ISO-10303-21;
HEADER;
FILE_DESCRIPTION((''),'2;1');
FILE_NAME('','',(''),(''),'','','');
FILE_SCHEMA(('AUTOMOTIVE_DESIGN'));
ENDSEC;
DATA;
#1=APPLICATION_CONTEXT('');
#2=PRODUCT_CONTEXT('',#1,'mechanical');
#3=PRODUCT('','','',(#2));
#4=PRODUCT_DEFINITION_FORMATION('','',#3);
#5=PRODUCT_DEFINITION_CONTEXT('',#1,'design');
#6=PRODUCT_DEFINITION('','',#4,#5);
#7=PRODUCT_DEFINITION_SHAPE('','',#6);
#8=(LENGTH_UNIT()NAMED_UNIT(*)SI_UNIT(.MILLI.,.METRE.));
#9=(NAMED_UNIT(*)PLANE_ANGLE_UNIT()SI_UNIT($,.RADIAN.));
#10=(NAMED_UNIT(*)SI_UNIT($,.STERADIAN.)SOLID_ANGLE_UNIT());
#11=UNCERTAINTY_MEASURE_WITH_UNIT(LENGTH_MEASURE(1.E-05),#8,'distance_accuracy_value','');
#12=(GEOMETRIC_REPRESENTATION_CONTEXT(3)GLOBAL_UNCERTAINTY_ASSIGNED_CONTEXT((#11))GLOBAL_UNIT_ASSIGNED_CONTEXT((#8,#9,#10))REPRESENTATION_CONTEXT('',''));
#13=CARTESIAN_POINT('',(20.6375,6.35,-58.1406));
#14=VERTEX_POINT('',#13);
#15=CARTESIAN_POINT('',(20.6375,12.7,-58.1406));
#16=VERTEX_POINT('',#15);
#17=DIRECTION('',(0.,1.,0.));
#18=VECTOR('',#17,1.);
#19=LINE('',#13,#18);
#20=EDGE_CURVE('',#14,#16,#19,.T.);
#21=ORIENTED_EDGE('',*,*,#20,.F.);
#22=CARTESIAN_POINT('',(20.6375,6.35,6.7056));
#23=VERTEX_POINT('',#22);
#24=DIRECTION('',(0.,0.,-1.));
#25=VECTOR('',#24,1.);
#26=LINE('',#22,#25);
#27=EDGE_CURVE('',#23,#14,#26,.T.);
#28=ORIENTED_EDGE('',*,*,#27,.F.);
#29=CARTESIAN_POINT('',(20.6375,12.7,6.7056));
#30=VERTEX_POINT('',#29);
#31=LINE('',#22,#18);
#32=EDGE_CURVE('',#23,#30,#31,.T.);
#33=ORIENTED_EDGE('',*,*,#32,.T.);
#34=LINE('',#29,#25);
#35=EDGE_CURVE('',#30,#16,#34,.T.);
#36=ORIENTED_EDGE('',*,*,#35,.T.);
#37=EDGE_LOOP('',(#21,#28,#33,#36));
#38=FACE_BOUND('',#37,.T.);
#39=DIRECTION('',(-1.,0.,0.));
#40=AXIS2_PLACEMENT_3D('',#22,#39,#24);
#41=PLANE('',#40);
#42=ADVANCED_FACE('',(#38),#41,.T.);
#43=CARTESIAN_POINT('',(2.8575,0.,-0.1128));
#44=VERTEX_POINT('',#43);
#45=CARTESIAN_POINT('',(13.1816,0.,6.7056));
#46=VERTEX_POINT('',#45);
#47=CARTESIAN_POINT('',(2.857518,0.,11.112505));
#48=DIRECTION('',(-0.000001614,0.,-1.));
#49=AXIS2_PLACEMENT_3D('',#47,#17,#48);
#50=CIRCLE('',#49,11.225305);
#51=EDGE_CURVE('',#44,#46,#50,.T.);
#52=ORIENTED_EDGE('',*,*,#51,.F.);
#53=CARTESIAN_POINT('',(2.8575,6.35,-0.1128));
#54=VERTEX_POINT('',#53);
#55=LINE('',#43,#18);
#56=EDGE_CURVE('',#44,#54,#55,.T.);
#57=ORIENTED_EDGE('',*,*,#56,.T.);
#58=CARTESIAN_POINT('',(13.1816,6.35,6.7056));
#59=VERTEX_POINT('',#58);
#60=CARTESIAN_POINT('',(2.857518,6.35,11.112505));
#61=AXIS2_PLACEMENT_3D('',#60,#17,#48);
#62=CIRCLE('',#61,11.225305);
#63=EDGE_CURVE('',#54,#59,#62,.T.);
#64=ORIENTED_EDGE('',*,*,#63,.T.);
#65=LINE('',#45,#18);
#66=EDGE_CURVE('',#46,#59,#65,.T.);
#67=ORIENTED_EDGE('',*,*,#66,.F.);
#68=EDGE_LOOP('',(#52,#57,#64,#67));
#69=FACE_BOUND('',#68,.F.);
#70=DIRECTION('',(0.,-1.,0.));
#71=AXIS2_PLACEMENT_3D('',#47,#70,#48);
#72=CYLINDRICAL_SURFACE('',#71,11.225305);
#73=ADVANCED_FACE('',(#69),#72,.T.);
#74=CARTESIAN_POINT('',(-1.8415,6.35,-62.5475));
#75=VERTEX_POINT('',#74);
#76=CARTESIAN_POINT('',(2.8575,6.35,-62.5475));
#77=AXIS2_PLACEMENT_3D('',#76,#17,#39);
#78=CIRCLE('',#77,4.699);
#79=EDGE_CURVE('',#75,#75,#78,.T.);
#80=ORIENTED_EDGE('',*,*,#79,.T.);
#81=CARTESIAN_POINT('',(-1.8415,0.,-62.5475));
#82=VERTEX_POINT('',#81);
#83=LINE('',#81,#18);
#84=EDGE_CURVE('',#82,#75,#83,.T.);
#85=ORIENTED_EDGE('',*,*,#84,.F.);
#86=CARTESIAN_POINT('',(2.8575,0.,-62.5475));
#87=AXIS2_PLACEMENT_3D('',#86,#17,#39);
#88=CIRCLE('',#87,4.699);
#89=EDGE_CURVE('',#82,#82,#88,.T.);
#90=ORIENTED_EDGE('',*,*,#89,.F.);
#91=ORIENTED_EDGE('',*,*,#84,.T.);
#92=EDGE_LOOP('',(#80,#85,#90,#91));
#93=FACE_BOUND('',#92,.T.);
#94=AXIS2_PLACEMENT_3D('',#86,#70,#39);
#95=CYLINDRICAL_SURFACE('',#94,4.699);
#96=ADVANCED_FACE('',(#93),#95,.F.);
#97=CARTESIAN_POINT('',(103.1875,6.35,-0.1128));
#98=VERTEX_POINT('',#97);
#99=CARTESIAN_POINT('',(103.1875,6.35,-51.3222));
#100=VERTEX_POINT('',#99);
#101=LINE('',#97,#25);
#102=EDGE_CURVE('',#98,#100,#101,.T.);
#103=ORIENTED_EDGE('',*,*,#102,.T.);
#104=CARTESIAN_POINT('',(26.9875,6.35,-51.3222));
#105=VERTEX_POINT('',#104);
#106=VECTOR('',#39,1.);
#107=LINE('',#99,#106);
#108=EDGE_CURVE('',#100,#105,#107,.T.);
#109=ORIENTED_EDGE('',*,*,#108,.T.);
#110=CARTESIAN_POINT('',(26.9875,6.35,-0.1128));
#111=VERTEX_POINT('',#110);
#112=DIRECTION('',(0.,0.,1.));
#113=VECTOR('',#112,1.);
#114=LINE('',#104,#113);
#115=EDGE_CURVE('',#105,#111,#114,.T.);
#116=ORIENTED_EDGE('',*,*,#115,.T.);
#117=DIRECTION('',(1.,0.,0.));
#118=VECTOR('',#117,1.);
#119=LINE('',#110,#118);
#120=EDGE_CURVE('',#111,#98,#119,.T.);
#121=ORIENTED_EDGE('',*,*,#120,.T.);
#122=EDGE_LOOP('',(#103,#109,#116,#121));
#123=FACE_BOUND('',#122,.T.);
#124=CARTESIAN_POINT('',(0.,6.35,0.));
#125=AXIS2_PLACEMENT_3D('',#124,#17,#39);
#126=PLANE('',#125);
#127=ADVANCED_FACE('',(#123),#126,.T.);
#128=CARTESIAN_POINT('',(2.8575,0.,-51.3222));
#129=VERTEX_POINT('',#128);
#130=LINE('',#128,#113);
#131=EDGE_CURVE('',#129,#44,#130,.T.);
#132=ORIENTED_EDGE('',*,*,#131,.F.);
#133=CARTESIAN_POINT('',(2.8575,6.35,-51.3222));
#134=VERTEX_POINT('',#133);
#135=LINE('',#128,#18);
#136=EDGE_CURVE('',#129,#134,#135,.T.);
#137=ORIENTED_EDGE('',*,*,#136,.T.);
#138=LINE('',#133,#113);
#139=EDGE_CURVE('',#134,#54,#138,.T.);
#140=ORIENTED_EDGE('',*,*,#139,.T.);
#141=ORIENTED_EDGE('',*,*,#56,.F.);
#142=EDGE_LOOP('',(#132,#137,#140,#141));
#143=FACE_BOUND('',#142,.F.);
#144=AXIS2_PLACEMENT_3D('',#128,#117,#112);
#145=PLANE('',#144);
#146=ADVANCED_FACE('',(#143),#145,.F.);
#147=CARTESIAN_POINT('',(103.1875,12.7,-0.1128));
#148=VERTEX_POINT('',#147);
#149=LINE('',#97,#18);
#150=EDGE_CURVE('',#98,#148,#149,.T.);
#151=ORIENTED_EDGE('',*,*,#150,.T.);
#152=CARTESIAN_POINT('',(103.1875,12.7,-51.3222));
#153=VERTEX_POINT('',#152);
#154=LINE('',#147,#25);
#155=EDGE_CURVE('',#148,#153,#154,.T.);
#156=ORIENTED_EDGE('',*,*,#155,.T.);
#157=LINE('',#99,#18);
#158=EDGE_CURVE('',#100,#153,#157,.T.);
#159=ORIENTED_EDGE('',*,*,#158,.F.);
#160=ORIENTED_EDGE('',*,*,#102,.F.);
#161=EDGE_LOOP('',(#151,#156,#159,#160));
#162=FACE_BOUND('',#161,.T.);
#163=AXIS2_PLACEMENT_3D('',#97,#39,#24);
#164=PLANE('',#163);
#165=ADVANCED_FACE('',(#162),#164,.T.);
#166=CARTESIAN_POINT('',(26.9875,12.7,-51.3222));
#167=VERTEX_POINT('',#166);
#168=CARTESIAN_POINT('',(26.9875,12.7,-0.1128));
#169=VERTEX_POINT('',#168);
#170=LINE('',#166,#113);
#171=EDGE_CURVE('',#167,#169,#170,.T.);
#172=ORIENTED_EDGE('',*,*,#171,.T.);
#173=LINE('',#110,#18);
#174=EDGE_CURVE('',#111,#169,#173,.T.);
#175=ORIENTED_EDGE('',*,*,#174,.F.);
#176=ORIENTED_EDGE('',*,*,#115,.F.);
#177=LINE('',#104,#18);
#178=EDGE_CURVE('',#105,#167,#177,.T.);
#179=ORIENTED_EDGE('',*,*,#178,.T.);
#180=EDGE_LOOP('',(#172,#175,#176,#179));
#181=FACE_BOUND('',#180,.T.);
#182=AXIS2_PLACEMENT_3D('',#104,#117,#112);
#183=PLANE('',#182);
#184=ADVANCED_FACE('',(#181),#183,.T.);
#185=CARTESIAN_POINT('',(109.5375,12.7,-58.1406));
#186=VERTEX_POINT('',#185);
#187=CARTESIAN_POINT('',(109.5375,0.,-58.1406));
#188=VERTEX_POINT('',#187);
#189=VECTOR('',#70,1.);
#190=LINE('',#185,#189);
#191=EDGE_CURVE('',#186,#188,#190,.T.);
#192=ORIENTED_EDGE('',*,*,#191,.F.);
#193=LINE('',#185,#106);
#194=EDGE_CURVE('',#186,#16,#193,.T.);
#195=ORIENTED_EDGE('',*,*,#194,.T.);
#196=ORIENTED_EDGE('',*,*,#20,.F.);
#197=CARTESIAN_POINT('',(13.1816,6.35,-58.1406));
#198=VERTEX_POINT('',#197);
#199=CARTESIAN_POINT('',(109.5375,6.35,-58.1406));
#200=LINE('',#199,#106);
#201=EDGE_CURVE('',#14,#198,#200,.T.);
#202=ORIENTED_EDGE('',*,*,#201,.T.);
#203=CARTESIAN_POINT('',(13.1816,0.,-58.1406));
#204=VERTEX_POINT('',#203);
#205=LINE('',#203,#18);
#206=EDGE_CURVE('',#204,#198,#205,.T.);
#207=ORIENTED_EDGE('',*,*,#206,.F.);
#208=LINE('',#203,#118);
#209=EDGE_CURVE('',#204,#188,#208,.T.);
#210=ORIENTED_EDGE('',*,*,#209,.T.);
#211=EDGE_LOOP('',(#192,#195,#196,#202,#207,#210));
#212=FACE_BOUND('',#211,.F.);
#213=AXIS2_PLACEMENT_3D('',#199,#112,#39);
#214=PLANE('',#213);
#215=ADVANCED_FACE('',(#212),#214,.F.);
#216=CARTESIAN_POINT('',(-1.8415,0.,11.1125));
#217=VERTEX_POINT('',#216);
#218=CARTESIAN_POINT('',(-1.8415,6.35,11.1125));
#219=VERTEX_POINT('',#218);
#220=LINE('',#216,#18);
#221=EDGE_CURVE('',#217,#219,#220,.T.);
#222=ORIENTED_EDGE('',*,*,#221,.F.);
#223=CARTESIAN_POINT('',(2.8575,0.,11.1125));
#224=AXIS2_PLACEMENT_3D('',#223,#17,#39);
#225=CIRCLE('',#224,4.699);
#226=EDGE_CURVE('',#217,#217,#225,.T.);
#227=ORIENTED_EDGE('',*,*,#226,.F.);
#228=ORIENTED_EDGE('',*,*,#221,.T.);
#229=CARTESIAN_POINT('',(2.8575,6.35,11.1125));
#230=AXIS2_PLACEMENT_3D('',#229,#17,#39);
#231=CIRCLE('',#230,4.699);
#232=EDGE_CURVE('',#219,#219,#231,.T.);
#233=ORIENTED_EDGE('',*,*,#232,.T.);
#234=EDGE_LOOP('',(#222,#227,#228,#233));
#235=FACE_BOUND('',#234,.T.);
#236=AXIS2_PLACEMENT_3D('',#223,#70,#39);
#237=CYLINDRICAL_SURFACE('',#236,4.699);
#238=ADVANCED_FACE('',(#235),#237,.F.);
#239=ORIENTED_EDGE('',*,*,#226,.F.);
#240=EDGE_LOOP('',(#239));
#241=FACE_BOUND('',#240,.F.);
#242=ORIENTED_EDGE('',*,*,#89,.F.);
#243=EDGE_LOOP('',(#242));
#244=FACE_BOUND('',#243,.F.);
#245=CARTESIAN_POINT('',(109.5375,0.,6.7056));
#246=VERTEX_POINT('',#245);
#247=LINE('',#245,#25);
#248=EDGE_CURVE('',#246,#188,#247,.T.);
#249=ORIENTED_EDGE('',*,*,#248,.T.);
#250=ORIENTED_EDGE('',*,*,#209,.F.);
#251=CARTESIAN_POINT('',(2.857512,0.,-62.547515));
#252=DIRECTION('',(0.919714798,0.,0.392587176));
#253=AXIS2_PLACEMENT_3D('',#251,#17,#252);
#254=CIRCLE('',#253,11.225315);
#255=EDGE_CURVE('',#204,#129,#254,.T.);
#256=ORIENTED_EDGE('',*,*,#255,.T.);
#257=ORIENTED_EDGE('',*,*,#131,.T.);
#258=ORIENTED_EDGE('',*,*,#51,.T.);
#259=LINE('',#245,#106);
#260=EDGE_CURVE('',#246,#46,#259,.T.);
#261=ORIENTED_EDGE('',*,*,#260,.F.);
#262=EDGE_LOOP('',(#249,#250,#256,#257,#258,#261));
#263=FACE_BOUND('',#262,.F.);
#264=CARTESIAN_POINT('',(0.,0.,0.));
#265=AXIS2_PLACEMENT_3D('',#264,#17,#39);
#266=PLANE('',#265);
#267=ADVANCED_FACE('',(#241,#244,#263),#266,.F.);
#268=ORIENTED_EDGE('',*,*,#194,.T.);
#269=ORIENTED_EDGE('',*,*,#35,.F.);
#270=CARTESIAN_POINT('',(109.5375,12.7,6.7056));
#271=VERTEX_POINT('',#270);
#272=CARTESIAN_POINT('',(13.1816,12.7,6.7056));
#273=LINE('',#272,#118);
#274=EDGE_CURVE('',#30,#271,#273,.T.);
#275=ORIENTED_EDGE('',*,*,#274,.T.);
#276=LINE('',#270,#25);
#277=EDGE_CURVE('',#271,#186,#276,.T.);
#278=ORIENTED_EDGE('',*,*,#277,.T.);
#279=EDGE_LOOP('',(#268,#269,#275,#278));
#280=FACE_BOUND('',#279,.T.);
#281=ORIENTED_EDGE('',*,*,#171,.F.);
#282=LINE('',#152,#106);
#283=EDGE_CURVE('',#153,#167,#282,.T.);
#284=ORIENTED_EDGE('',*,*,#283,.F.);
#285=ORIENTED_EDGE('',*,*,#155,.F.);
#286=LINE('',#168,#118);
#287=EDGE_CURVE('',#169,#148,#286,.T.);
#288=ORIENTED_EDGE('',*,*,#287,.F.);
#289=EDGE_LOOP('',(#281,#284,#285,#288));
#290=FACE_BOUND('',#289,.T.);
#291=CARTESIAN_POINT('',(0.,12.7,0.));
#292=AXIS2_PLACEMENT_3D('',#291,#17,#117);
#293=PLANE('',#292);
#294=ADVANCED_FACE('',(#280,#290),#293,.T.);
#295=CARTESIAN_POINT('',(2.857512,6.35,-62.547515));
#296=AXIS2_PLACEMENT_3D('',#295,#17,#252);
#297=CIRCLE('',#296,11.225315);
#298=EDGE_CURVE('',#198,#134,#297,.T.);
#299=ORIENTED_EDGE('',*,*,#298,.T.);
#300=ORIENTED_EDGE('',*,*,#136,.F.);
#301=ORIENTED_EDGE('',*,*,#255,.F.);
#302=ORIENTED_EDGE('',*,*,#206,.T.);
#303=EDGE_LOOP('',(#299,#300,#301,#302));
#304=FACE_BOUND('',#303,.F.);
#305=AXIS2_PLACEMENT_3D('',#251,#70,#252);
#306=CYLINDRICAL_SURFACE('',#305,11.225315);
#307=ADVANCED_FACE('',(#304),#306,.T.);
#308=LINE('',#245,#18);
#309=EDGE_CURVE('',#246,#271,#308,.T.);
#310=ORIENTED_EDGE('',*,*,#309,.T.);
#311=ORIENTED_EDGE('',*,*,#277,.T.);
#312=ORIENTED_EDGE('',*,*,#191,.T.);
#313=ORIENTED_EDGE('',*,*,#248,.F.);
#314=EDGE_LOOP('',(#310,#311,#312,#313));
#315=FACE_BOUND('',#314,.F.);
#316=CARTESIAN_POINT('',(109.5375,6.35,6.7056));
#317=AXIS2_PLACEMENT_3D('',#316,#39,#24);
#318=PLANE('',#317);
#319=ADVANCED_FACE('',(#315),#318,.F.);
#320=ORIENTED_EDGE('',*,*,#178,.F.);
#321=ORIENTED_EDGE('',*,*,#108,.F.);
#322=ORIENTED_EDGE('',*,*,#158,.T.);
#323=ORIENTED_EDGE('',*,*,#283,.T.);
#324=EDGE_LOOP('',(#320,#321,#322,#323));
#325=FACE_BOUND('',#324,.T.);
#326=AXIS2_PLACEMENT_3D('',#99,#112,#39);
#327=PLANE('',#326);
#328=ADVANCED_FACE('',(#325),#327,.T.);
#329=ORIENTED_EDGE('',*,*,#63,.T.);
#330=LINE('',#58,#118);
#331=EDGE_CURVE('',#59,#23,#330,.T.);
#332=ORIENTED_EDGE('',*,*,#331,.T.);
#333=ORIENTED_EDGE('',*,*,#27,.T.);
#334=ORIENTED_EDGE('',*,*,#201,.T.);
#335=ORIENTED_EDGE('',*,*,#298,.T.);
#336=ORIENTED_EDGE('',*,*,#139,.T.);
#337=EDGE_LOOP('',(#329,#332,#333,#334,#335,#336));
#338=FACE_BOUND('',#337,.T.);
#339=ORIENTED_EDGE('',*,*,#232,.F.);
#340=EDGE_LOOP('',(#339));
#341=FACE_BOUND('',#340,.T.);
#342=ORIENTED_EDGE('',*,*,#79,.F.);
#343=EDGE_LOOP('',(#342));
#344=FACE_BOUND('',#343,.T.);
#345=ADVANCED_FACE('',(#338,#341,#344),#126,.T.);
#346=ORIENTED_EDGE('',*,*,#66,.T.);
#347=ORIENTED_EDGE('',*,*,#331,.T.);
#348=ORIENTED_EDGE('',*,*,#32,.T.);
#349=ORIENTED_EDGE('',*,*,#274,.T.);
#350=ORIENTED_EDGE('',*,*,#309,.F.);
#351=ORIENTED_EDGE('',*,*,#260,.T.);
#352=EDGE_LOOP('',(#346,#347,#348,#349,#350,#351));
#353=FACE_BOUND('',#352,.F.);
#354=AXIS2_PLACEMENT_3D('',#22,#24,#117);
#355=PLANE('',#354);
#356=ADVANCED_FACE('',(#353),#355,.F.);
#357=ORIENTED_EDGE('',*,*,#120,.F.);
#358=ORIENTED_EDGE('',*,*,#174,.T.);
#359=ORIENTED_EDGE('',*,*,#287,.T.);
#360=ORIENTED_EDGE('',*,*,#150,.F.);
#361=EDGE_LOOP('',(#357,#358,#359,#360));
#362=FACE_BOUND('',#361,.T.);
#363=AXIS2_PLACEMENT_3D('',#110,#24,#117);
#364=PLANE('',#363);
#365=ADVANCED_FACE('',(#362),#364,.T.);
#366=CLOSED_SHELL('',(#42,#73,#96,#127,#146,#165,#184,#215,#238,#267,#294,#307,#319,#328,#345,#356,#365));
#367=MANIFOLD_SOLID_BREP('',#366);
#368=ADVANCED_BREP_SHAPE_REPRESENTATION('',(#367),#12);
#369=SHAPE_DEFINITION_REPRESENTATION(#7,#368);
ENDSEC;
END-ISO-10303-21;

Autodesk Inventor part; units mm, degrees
ref_plane "YZ Plane" through (0, 0, 0) normal (1, 0, 0) x (0, 1, 0)
ref_plane "XZ Plane" through (0, 0, 0) normal (0, 1, 0) x (-1, 0, 0)
ref_plane "XY Plane" through (0, 0, 0) normal (0, 0, 1) x (1, 0, 0)
sketch "Sketch1" plane through (0, 0, 0) normal (0, 1, 0) x (-1, 0, 0)
  circle A0 centre (-2.8575, -62.5475) radius 4.699
  circle A1 centre (-2.8575, 11.1125) radius 4.699
  arc A2 (-2.8575, -0.1128) -> (-13.1816, 6.7056) centre (-2.8575, 11.1125) ccw
  arc A3 (-13.1816, -58.1406) -> (-2.8575, -51.3222) centre (-2.8575, -62.5475) ccw
  line L0 (-13.1816, 6.7056) -> (-109.5375, 6.7056)
  line L1 (-109.5375, 6.7056) -> (-109.5375, -58.1406)
  line L2 (-109.5375, -58.1406) -> (-13.1816, -58.1406)
  line L3 (-2.8575, -51.3222) -> (-2.8575, -0.1128)
  line L4 (-2.8575, -0.1128) -> (-2.8575, -51.3222)
  line L5 (-103.1875, -51.3222) -> (-26.9875, -51.3222)
  line L6 (-26.9875, -51.3222) -> (-26.9875, -0.1128)
  line L7 (-26.9875, -0.1128) -> (-103.1875, -0.1128)
  line L8 (-103.1875, -0.1128) -> (-103.1875, -51.3222)
  line L9 (-20.6375, 6.7056) -> (-20.6375, -58.1406)
  point P0 (0, 0)
  dimension "d1" = 9.398
  dimension "d2" = 9.398
  dimension "d4" = 6.35
extrude "Extrusion1" add sketch "Sketch1" along normal blind 6.35 contours L3 A3 L2 L9 L0 A2 | L9 L2 L1 L0 | L8 L7 L6 L5
sketch "Sketch2" plane through (0, 6.35, 0) normal (0, 1, 0) x (1, 0, 0)
  line L0 (26.9875, 0.1128) -> (103.1875, 0.1128)
  line L1 (103.1875, 0.1128) -> (103.1875, 51.3222)
  line L2 (103.1875, 51.3222) -> (26.9875, 51.3222)
  line L3 (26.9875, 51.3222) -> (26.9875, 0.1128)
  line L4 (13.1816, -6.7056) -> (109.5375, -6.7056) projected
  line L5 (20.6375, -6.7056) -> (20.6375, 58.7375)
  line L6 (109.5375, 58.1406) -> (13.1816, 58.1406) projected
  line L7 (20.6375, -6.7056) -> (109.5375, -6.7056)
  line L8 (109.5375, -6.7056) -> (109.5375, 58.1406)
  line L9 (109.5375, 58.1406) -> (20.6375, 58.1406)
  line L10 (20.6375, 58.1406) -> (20.6375, -6.7056)
  point P0 (0, 0)
  dimension "d7" = 6.35
extrude "Extrusion2" add sketch "Sketch2" along normal blind 6.35
properties part number "ignition mount"
